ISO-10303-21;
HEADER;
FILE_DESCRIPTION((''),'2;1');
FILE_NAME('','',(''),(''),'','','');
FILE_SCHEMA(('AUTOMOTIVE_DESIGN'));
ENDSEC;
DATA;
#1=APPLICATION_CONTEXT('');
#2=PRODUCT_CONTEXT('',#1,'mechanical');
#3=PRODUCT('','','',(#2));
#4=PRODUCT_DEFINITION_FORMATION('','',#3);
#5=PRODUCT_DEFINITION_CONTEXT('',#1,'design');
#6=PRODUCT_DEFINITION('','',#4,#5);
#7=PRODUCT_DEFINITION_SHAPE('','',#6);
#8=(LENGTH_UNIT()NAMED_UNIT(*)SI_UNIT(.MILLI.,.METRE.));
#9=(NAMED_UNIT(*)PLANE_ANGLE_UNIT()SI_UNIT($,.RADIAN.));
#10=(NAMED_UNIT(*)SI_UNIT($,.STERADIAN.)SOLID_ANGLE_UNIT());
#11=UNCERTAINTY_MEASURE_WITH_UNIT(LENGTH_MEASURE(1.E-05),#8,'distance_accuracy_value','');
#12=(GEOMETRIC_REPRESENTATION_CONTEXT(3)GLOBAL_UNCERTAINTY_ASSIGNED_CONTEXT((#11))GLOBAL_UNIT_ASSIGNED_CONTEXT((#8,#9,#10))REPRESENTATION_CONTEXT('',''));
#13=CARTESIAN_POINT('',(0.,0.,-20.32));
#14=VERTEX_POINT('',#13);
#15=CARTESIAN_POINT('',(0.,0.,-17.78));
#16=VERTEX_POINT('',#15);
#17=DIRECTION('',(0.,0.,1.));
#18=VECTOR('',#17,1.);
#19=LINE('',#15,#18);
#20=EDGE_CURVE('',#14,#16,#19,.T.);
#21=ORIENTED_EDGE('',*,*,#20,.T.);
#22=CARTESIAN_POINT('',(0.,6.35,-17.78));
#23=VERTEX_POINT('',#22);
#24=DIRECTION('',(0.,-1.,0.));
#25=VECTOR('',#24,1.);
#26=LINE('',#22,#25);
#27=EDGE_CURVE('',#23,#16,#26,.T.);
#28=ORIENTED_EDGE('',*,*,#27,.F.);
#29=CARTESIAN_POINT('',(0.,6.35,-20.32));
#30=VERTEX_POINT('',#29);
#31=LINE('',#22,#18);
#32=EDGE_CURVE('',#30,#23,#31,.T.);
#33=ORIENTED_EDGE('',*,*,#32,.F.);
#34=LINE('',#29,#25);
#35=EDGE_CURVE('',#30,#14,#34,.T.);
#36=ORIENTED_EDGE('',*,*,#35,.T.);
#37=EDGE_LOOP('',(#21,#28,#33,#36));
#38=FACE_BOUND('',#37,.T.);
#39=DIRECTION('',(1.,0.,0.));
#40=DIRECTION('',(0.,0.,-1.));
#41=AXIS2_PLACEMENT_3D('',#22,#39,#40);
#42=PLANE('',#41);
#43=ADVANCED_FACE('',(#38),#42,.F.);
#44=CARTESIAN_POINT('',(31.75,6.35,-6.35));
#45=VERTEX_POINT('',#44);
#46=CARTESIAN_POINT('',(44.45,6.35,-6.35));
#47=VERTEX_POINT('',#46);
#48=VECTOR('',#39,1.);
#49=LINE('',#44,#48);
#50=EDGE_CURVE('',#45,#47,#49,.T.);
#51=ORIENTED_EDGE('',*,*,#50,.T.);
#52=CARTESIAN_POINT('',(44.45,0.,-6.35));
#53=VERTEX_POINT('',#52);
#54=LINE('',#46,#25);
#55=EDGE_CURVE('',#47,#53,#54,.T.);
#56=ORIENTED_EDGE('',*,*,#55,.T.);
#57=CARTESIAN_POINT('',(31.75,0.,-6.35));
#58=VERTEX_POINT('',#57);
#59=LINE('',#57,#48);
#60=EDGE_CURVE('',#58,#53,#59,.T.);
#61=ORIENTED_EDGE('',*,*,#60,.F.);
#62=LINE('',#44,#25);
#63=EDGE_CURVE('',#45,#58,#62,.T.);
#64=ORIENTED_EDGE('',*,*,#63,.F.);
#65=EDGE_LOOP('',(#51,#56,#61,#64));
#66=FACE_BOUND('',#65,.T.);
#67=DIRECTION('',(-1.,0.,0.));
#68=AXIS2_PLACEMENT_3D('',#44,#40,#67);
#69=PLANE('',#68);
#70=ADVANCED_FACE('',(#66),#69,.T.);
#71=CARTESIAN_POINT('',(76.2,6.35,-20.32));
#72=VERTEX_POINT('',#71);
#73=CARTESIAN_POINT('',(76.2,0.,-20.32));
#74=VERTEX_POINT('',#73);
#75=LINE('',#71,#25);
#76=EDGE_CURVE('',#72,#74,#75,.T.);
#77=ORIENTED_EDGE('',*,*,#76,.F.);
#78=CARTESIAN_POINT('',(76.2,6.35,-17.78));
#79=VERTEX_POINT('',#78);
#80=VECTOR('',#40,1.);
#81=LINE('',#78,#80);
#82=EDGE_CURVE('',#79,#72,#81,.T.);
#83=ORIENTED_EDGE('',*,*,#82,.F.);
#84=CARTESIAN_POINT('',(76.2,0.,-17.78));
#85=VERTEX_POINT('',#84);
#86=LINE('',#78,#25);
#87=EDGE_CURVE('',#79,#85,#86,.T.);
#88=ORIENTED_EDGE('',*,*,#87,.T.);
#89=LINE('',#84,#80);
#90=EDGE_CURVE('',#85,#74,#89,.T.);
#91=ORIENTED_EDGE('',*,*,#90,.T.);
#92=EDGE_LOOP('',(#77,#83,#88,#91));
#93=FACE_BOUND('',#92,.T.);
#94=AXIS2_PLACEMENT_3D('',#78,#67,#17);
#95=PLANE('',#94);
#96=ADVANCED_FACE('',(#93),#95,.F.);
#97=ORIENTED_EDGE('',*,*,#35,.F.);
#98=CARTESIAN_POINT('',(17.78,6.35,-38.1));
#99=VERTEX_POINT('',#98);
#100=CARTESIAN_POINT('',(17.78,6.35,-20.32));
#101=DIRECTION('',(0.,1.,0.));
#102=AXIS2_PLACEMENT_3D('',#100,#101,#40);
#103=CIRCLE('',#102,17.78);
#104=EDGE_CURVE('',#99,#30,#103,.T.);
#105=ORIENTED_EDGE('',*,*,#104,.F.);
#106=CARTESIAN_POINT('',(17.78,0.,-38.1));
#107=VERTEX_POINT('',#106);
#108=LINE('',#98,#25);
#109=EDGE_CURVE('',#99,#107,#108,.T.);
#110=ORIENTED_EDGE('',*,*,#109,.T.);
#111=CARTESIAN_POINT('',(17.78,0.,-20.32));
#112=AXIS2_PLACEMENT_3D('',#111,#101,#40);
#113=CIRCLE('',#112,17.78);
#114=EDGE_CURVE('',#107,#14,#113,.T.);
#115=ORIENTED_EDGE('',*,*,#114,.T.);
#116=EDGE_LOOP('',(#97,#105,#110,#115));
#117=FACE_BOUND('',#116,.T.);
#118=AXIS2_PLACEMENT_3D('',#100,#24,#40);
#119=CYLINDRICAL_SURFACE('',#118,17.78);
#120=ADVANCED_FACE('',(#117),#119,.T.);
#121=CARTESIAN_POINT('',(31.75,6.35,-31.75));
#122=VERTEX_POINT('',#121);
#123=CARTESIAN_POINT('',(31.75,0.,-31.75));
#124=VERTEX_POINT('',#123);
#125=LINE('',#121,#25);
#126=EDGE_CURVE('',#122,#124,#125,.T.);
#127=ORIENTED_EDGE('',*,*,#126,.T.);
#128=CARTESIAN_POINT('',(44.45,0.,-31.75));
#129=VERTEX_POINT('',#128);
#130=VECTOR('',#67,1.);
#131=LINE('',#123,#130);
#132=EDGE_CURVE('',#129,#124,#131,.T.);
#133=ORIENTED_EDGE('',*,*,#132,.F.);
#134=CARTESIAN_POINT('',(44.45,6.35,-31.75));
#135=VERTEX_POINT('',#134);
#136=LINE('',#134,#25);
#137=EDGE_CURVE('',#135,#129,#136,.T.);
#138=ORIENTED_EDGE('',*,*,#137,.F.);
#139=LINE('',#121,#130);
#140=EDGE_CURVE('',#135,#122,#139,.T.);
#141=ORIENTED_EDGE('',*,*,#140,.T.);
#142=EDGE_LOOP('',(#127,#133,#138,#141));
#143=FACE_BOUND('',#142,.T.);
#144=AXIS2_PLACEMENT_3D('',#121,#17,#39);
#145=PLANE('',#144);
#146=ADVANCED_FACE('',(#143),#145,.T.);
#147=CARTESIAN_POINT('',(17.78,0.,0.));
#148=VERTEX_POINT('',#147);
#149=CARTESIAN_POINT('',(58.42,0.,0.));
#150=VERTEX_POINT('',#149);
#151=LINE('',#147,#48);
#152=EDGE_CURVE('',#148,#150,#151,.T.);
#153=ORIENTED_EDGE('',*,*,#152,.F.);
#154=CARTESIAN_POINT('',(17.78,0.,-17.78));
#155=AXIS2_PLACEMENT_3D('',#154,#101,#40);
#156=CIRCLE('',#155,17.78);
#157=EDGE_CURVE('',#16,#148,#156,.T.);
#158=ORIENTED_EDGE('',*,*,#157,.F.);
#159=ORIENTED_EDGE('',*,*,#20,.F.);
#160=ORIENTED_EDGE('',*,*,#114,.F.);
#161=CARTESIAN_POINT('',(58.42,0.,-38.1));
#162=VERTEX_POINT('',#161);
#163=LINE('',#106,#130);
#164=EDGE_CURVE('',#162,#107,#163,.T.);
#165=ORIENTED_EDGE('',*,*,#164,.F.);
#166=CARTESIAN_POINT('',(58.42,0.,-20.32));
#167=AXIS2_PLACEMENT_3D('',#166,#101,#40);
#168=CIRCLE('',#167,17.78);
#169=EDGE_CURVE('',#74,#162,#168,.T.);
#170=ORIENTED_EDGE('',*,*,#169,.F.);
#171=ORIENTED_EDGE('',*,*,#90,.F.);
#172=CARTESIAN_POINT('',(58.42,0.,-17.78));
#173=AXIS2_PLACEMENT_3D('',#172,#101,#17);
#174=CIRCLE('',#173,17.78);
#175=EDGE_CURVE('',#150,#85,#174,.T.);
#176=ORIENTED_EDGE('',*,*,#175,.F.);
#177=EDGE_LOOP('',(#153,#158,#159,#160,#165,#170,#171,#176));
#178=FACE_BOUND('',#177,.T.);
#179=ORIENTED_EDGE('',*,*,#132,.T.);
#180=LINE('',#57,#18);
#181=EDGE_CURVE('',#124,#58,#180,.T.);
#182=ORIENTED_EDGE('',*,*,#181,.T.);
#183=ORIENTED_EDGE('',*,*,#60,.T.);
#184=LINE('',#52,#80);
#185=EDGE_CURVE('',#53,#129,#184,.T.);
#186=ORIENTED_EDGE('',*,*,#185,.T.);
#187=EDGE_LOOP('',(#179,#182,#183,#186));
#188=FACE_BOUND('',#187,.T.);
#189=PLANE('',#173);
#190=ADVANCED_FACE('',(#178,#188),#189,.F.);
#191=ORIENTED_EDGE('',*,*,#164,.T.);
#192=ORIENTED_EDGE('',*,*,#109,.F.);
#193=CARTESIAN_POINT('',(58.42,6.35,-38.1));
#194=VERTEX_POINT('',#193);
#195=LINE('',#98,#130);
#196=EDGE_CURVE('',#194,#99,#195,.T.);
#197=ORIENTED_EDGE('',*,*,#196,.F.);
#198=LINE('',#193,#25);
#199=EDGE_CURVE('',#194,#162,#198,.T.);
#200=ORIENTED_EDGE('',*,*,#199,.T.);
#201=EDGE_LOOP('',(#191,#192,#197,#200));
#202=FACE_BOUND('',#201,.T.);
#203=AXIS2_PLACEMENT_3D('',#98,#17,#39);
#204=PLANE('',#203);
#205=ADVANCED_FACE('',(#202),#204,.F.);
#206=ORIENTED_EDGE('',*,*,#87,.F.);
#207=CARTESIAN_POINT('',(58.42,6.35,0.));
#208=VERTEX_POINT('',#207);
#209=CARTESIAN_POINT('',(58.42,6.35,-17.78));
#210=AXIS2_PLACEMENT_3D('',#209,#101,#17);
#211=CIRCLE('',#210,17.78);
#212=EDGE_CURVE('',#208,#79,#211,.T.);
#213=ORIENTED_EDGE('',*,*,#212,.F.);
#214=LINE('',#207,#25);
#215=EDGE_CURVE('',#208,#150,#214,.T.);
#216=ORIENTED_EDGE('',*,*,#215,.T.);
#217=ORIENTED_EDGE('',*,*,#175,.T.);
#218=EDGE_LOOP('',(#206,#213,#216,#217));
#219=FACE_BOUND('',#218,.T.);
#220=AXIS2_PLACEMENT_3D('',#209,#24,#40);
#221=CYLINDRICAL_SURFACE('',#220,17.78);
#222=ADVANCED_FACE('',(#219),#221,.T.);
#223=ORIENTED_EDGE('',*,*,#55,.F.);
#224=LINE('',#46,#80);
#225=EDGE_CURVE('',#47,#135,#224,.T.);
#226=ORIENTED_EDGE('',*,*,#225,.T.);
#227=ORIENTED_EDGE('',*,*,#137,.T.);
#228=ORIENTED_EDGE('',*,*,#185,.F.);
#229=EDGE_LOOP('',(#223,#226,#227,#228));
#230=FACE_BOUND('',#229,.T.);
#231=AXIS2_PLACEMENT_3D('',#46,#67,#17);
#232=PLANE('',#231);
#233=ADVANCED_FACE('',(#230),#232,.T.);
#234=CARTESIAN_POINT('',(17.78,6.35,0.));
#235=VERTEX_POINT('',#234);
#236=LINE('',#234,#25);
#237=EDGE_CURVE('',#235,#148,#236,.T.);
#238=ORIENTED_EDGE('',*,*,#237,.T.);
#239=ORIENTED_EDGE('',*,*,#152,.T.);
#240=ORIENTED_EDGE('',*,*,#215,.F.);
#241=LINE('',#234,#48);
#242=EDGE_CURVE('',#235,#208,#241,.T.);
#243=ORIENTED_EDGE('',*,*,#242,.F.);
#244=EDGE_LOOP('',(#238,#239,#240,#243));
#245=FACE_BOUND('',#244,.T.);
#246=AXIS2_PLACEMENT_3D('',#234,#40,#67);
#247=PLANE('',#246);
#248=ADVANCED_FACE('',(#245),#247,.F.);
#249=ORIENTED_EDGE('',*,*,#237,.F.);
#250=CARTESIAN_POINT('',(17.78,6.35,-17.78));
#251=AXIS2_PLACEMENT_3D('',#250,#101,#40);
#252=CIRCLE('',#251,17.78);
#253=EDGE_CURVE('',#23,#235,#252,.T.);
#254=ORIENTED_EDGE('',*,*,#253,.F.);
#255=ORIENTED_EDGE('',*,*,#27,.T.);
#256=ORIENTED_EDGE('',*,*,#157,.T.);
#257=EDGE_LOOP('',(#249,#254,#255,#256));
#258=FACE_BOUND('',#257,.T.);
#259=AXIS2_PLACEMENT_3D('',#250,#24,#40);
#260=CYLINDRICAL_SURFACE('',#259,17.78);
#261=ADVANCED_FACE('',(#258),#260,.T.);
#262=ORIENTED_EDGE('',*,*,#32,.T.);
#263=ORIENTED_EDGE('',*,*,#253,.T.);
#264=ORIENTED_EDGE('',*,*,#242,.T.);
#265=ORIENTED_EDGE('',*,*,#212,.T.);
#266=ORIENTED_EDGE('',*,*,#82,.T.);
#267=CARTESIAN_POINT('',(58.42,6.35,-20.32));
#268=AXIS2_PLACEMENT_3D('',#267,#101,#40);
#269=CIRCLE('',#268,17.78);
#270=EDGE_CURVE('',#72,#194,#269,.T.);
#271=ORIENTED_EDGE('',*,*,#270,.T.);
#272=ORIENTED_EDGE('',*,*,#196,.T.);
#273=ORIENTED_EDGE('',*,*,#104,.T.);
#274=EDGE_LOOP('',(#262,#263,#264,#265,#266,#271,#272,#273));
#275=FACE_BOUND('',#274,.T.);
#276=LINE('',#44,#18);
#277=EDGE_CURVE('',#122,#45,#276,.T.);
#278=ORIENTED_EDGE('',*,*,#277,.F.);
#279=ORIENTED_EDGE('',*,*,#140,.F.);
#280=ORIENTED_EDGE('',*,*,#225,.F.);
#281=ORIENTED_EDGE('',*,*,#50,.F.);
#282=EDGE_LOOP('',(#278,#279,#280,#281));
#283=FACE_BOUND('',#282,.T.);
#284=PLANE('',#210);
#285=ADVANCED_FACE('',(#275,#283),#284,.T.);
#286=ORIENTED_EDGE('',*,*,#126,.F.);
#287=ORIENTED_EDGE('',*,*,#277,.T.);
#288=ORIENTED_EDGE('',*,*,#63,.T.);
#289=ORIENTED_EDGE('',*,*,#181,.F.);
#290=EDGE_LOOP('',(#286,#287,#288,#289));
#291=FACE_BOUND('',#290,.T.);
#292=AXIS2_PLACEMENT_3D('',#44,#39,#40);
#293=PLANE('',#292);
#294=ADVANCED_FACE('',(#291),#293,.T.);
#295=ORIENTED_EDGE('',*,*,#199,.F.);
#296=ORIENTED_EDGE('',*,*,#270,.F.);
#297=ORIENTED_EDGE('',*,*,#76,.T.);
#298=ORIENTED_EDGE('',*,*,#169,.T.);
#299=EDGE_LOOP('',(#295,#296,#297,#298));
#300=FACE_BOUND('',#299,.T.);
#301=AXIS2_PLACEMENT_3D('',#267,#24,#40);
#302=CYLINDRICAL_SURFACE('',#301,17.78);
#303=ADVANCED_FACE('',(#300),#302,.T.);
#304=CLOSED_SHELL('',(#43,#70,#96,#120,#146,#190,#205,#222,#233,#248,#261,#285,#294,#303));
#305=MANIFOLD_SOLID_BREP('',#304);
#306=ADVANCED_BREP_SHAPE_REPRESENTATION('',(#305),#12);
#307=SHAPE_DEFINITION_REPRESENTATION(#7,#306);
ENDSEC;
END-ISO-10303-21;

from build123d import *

# Parameters (mm, degrees)
SKETCH1_W           = 12.7
SKETCH1_H           = 25.4
BOSS_EXTRUDE1_DEPTH = 6.35


with BuildPart() as part:
    # Sketch1 → Boss-Extrude1 (new body)
    with BuildSketch(Plane(origin=(0, 0, 0), x_dir=(1, 0, 0), z_dir=(0, 1, 0))):
        with BuildLine():
            Line((17.78, 0), (58.42, 0))
            ThreePointArc((58.42, 0), (70.992358569, 5.207641431), (76.2, 17.78))
            Line((76.2, 17.78), (76.2, 20.32))
            ThreePointArc((76.2, 20.32), (70.992358569, 32.892358569), (58.42, 38.1))
            Line((58.42, 38.1), (17.78, 38.1))
            ThreePointArc((17.78, 38.1), (5.207641431, 32.892358569), (0, 20.32))
            Line((0, 20.32), (0, 17.78))
            ThreePointArc((0, 17.78), (5.207641431, 5.207641431), (17.78, 0))
        make_face()
        with Locations((38.1, 19.05)):
            Rectangle(SKETCH1_W, SKETCH1_H, mode=Mode.SUBTRACT)
    extrude(amount=BOSS_EXTRUDE1_DEPTH)


solid = part.part
